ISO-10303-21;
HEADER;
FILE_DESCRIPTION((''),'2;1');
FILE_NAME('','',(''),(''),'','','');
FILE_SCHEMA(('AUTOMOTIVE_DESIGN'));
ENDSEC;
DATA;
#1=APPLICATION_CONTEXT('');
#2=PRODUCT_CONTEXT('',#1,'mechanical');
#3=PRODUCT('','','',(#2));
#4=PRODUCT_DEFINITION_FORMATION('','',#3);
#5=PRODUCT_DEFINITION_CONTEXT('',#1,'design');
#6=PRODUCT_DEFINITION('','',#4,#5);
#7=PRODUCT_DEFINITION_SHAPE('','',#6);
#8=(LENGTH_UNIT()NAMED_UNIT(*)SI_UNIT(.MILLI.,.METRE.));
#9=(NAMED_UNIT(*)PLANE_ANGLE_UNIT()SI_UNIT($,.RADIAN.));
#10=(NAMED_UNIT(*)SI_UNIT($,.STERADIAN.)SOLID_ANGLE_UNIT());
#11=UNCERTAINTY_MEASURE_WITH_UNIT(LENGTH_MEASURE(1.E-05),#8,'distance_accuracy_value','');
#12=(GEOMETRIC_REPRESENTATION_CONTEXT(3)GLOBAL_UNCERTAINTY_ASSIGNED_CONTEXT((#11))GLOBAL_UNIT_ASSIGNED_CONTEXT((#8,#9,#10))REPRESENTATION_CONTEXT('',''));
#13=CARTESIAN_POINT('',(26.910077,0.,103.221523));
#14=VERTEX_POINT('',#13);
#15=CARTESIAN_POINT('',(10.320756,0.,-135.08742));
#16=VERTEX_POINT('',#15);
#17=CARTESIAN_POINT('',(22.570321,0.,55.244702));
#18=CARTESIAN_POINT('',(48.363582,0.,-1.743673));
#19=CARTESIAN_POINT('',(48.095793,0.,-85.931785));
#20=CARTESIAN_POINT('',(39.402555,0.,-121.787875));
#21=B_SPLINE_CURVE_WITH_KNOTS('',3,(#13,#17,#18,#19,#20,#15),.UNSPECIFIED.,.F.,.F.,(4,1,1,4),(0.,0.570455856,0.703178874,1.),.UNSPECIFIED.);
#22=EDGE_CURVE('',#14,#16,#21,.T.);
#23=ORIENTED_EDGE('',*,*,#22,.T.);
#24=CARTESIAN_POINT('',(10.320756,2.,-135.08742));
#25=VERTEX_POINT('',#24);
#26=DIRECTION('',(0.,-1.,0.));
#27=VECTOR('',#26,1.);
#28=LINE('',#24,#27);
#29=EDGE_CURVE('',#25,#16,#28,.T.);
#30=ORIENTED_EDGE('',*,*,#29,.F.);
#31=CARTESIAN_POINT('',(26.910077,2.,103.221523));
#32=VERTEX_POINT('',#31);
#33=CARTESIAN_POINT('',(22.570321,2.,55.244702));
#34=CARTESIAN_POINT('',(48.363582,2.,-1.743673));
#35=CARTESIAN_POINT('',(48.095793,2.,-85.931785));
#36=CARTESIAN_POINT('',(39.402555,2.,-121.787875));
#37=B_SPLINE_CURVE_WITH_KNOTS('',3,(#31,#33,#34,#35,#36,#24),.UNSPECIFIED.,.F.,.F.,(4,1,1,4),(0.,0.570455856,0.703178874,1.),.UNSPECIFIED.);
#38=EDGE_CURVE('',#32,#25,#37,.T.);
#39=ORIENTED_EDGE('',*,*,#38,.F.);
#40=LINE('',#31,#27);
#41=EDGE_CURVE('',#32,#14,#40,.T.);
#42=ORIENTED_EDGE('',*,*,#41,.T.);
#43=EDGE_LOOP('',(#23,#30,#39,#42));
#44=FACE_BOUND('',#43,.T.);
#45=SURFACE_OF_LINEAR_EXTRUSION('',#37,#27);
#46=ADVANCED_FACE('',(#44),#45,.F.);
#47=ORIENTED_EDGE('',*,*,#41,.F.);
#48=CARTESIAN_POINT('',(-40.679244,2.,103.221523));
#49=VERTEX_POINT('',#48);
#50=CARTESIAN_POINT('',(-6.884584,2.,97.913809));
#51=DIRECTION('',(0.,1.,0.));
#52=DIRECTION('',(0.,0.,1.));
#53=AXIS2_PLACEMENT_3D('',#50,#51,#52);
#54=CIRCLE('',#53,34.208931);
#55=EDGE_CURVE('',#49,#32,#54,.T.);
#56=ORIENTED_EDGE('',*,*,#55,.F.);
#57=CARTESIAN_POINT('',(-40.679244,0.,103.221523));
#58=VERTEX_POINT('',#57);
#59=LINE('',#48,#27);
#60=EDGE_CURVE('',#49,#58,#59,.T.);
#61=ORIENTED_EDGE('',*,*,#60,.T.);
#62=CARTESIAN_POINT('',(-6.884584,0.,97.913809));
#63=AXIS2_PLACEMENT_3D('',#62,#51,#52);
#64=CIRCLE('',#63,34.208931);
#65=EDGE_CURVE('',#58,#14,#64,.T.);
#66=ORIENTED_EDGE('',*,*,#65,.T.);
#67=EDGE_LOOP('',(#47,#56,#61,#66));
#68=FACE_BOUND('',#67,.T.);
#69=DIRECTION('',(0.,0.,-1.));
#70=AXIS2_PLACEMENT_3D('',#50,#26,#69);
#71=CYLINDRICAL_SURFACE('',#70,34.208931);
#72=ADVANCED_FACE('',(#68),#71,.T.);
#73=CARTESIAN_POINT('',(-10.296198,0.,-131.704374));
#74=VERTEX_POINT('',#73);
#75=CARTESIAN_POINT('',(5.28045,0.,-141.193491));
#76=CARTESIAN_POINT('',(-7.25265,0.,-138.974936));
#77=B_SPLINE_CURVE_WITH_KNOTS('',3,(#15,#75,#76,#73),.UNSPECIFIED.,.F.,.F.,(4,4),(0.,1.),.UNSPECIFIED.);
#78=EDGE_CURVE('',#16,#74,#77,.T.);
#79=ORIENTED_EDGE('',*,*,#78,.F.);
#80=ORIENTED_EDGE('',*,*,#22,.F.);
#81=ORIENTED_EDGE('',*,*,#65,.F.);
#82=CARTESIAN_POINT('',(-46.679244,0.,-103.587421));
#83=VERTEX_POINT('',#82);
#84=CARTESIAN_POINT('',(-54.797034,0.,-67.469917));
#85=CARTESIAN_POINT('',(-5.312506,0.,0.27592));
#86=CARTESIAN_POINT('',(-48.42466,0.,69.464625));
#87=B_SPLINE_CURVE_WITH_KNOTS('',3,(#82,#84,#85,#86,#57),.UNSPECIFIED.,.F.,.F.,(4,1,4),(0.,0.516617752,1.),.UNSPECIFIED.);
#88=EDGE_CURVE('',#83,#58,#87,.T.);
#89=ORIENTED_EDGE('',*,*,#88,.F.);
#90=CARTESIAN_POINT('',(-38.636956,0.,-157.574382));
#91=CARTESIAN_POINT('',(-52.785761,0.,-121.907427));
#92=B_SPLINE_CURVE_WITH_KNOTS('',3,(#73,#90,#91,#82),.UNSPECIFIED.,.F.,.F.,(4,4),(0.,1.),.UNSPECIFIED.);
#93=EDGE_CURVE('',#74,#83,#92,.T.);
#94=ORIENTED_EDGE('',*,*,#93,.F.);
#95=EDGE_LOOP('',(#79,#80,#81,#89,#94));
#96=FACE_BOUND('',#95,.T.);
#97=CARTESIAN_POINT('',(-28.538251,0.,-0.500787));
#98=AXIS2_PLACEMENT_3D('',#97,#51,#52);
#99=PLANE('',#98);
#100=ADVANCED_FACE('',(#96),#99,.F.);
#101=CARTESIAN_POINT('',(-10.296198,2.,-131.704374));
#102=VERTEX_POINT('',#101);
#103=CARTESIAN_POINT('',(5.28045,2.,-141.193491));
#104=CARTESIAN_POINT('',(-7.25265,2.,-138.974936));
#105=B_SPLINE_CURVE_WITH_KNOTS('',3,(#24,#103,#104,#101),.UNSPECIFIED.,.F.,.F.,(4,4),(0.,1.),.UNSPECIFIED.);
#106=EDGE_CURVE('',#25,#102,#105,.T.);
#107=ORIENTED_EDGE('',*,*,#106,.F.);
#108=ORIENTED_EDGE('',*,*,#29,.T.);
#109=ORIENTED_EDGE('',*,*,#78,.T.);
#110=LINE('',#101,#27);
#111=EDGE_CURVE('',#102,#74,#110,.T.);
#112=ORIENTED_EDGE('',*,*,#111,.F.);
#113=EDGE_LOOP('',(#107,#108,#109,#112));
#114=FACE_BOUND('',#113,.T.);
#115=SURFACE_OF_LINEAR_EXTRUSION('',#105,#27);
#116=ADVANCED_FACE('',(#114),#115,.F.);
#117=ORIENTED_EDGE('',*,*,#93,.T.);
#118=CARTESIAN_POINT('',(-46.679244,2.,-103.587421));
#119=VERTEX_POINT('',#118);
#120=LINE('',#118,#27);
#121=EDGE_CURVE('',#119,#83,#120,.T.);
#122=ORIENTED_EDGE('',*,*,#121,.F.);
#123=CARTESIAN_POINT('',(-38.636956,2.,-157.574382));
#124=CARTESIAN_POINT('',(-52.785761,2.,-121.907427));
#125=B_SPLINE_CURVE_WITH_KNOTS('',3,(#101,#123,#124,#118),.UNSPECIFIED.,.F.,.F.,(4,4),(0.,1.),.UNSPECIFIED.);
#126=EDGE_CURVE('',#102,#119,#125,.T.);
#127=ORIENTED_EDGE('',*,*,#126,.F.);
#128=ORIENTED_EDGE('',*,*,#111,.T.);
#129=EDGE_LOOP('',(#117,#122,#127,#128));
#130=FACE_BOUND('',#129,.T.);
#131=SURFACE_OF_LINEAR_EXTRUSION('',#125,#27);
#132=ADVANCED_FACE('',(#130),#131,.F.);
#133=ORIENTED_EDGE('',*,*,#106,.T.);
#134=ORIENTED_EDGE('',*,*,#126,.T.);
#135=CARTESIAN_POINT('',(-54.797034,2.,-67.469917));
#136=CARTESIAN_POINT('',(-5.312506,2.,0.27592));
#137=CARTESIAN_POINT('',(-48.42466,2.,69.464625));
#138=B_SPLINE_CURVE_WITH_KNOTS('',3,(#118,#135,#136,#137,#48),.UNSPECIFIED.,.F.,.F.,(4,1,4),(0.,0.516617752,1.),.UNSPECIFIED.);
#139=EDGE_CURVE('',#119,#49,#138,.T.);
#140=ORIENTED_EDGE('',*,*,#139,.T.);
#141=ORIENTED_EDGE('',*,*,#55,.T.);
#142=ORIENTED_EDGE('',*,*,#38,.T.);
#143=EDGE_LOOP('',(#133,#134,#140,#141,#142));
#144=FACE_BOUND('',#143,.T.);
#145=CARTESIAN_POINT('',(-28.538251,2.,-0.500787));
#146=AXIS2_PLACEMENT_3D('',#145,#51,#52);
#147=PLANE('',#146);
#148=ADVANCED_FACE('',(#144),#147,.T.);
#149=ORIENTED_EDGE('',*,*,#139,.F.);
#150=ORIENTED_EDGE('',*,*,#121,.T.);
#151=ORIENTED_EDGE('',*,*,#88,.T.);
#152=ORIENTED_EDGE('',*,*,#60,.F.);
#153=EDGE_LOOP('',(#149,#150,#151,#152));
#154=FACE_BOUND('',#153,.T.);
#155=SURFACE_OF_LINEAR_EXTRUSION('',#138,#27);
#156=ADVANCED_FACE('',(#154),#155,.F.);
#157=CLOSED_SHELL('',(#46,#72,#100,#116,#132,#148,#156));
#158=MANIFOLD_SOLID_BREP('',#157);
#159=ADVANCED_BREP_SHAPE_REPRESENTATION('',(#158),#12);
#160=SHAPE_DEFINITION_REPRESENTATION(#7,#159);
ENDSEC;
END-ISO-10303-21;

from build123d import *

# Parameters (mm, degrees)
BOSS_EXTRUDE1_DEPTH = 2


with BuildPart() as part:
    # Sketch1 → Boss-Extrude1 (new body)
    with BuildSketch(Plane(origin=(0, 0, 0), x_dir=(1, 0, 0), z_dir=(0, 1, 0))):
        with BuildLine():
            ThreePointArc((-40.679244353, -103.221523445), (-6.884583356, -132.122739902), (26.910077355, -103.221523111))
            add(Edge.make_bspline(
                [(10.32075615, 135.087420221), (39.402555208, 121.787875107), (48.095792581, 85.931785161), (48.363582245, 1.743673196), (22.570320599, -55.244701587), (26.910077355, -103.221523111)],
                knots=[0, 0, 0, 0, 0.296821126, 0.429544144, 1, 1, 1, 1], degree=3))
            add(Edge.make_bspline(
                [(-10.296198393, 131.704373688), (-7.252650356, 138.974935501), (5.280450445, 141.193491305), (10.32075615, 135.087420221)],
                knots=[0, 0, 0, 0, 1, 1, 1, 1], degree=3))
            add(Edge.make_bspline(
                [(-46.679244317, 103.587421062), (-52.785760987, 121.907427011), (-38.636955581, 157.574381944), (-10.296198393, 131.704373688)],
                knots=[0, 0, 0, 0, 1, 1, 1, 1], degree=3))
            add(Edge.make_bspline(
                [(-40.679244353, -103.221523445), (-48.424660229, -69.464624821), (-5.31250584, -0.275920012), (-54.797034308, 67.469917015), (-46.679244317, 103.587421062)],
                knots=[0, 0, 0, 0, 0.483382248, 1, 1, 1, 1], degree=3))
        make_face()
    extrude(amount=BOSS_EXTRUDE1_DEPTH)


solid = part.part
